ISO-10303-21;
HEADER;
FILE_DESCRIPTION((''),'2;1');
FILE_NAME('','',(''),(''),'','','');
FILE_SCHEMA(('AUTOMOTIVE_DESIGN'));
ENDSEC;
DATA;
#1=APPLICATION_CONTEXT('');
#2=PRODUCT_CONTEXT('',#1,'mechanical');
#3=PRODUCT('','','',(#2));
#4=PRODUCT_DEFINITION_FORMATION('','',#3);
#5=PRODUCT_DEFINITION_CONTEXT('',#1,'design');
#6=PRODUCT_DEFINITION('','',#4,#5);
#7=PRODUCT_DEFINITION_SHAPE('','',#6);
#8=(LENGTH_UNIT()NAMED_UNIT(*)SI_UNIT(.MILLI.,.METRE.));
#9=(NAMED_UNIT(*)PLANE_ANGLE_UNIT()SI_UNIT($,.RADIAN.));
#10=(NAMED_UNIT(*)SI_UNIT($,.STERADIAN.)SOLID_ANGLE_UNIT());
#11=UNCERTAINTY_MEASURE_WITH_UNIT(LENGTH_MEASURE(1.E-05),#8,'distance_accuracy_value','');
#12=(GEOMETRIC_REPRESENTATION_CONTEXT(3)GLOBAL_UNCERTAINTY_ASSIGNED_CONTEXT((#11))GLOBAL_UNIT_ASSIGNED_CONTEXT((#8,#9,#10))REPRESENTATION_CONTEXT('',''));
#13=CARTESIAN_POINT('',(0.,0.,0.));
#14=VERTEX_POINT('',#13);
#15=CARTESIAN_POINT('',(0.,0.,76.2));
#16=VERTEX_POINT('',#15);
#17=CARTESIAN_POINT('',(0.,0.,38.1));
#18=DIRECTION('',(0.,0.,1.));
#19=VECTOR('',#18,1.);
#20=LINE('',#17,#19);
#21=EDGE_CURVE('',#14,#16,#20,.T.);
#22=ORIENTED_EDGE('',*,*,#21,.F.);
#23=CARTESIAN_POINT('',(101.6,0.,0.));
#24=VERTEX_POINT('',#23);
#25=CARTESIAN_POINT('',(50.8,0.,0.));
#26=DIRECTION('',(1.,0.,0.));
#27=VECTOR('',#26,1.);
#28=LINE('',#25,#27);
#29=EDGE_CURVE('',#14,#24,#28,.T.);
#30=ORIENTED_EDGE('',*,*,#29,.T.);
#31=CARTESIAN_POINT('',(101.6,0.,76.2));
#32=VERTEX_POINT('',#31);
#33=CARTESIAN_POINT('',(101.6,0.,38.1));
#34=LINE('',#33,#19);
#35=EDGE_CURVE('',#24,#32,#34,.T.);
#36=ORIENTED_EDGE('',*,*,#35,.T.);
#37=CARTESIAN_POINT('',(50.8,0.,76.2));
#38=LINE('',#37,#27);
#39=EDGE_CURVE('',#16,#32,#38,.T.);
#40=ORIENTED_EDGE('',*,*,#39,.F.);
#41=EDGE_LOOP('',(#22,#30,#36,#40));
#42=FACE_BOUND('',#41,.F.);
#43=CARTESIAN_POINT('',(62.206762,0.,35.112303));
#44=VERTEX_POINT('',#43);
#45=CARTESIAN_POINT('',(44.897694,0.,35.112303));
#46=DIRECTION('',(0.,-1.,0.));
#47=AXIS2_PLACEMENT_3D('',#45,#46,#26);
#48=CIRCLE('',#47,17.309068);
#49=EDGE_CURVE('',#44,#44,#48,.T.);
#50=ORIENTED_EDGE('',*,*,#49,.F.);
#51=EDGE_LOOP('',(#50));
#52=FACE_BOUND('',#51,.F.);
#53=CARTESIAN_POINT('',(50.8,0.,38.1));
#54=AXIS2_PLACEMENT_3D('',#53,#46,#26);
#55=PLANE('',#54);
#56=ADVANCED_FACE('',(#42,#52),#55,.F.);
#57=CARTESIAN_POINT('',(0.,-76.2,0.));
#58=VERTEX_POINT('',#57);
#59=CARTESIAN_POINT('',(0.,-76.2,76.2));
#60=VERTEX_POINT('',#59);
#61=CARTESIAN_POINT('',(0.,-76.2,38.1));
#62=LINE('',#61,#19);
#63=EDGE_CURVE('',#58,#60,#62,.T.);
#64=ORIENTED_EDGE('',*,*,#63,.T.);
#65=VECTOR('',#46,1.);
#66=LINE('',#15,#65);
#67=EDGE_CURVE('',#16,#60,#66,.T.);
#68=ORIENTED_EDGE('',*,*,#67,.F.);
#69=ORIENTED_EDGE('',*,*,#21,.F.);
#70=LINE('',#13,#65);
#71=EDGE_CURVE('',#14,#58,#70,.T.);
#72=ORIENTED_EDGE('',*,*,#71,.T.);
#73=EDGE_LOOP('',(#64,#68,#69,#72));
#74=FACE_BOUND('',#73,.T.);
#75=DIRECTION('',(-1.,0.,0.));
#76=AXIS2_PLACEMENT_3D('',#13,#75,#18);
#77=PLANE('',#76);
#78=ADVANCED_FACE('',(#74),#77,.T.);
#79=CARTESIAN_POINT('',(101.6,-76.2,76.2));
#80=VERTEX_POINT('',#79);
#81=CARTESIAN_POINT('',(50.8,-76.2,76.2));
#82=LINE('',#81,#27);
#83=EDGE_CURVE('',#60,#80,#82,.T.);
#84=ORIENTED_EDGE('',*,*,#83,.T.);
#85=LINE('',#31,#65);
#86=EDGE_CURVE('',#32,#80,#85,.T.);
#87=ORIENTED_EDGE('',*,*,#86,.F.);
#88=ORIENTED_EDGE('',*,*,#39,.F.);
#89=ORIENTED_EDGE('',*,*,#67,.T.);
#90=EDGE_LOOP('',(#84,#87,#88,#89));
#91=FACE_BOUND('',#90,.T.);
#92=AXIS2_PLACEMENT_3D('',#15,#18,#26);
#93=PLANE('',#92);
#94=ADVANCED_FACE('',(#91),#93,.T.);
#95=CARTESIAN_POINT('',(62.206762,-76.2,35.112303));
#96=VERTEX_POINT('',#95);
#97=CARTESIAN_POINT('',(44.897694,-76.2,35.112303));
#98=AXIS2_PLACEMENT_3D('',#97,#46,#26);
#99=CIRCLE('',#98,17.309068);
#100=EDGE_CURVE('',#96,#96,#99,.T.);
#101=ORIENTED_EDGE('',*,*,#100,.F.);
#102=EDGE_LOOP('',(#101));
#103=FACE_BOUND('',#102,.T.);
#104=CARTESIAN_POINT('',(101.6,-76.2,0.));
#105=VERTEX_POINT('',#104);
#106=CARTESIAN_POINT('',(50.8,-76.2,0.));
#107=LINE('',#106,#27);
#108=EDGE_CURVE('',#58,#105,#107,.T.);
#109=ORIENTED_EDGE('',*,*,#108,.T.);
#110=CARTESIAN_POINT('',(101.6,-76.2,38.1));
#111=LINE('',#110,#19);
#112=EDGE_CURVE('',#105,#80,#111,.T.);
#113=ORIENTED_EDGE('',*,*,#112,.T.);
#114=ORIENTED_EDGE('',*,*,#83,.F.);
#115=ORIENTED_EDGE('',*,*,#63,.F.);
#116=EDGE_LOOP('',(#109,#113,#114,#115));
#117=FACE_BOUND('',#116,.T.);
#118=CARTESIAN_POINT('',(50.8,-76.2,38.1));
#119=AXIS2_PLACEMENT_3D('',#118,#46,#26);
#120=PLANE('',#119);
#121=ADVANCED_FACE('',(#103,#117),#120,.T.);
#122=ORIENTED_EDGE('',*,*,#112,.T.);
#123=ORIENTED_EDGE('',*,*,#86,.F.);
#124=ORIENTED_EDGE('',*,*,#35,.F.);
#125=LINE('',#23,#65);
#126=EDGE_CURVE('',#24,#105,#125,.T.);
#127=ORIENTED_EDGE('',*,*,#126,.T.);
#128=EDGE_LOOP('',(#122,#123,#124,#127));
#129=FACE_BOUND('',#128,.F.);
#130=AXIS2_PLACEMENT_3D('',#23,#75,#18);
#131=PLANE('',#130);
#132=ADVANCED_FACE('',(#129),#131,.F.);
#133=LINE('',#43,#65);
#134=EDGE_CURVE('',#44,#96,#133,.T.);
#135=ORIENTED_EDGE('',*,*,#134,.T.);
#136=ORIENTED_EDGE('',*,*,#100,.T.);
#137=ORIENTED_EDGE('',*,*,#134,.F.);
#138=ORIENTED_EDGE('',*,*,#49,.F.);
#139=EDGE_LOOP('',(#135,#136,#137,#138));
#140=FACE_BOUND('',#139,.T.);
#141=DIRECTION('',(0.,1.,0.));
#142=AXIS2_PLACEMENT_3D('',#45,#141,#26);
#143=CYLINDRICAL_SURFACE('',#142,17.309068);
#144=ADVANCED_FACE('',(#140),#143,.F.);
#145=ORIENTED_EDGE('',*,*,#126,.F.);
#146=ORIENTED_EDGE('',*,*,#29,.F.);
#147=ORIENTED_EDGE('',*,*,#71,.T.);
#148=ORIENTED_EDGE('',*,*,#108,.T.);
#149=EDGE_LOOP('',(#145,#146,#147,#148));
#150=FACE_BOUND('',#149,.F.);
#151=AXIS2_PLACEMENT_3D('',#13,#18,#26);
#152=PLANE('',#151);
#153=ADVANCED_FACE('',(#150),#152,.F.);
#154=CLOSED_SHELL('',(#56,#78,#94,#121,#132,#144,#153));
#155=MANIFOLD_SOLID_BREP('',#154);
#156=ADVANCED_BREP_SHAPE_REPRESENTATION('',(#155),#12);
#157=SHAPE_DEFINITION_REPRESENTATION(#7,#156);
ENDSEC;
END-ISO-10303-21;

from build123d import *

# Parameters (mm, degrees)
F0_W     = 101.6
F0_H     = 76.2
F1_DEPTH = 76.2
F2_R     = 17.309068
F3_DEPTH = 76.2


with BuildPart() as f1:
    # F0 (on Front) → F1 (new body)
    with BuildSketch(Plane.XZ):
        with Locations((50.8, 38.1)):
            Rectangle(F0_W, F0_H)
    extrude(amount=F1_DEPTH)

    # F2 (on Front) → F3 (cut, through all)
    with BuildSketch(Plane.XZ):
        with Locations((44.897694, 35.112303)):
            Circle(F2_R)
    extrude(amount=F3_DEPTH, mode=Mode.SUBTRACT)


solid = f1.part
